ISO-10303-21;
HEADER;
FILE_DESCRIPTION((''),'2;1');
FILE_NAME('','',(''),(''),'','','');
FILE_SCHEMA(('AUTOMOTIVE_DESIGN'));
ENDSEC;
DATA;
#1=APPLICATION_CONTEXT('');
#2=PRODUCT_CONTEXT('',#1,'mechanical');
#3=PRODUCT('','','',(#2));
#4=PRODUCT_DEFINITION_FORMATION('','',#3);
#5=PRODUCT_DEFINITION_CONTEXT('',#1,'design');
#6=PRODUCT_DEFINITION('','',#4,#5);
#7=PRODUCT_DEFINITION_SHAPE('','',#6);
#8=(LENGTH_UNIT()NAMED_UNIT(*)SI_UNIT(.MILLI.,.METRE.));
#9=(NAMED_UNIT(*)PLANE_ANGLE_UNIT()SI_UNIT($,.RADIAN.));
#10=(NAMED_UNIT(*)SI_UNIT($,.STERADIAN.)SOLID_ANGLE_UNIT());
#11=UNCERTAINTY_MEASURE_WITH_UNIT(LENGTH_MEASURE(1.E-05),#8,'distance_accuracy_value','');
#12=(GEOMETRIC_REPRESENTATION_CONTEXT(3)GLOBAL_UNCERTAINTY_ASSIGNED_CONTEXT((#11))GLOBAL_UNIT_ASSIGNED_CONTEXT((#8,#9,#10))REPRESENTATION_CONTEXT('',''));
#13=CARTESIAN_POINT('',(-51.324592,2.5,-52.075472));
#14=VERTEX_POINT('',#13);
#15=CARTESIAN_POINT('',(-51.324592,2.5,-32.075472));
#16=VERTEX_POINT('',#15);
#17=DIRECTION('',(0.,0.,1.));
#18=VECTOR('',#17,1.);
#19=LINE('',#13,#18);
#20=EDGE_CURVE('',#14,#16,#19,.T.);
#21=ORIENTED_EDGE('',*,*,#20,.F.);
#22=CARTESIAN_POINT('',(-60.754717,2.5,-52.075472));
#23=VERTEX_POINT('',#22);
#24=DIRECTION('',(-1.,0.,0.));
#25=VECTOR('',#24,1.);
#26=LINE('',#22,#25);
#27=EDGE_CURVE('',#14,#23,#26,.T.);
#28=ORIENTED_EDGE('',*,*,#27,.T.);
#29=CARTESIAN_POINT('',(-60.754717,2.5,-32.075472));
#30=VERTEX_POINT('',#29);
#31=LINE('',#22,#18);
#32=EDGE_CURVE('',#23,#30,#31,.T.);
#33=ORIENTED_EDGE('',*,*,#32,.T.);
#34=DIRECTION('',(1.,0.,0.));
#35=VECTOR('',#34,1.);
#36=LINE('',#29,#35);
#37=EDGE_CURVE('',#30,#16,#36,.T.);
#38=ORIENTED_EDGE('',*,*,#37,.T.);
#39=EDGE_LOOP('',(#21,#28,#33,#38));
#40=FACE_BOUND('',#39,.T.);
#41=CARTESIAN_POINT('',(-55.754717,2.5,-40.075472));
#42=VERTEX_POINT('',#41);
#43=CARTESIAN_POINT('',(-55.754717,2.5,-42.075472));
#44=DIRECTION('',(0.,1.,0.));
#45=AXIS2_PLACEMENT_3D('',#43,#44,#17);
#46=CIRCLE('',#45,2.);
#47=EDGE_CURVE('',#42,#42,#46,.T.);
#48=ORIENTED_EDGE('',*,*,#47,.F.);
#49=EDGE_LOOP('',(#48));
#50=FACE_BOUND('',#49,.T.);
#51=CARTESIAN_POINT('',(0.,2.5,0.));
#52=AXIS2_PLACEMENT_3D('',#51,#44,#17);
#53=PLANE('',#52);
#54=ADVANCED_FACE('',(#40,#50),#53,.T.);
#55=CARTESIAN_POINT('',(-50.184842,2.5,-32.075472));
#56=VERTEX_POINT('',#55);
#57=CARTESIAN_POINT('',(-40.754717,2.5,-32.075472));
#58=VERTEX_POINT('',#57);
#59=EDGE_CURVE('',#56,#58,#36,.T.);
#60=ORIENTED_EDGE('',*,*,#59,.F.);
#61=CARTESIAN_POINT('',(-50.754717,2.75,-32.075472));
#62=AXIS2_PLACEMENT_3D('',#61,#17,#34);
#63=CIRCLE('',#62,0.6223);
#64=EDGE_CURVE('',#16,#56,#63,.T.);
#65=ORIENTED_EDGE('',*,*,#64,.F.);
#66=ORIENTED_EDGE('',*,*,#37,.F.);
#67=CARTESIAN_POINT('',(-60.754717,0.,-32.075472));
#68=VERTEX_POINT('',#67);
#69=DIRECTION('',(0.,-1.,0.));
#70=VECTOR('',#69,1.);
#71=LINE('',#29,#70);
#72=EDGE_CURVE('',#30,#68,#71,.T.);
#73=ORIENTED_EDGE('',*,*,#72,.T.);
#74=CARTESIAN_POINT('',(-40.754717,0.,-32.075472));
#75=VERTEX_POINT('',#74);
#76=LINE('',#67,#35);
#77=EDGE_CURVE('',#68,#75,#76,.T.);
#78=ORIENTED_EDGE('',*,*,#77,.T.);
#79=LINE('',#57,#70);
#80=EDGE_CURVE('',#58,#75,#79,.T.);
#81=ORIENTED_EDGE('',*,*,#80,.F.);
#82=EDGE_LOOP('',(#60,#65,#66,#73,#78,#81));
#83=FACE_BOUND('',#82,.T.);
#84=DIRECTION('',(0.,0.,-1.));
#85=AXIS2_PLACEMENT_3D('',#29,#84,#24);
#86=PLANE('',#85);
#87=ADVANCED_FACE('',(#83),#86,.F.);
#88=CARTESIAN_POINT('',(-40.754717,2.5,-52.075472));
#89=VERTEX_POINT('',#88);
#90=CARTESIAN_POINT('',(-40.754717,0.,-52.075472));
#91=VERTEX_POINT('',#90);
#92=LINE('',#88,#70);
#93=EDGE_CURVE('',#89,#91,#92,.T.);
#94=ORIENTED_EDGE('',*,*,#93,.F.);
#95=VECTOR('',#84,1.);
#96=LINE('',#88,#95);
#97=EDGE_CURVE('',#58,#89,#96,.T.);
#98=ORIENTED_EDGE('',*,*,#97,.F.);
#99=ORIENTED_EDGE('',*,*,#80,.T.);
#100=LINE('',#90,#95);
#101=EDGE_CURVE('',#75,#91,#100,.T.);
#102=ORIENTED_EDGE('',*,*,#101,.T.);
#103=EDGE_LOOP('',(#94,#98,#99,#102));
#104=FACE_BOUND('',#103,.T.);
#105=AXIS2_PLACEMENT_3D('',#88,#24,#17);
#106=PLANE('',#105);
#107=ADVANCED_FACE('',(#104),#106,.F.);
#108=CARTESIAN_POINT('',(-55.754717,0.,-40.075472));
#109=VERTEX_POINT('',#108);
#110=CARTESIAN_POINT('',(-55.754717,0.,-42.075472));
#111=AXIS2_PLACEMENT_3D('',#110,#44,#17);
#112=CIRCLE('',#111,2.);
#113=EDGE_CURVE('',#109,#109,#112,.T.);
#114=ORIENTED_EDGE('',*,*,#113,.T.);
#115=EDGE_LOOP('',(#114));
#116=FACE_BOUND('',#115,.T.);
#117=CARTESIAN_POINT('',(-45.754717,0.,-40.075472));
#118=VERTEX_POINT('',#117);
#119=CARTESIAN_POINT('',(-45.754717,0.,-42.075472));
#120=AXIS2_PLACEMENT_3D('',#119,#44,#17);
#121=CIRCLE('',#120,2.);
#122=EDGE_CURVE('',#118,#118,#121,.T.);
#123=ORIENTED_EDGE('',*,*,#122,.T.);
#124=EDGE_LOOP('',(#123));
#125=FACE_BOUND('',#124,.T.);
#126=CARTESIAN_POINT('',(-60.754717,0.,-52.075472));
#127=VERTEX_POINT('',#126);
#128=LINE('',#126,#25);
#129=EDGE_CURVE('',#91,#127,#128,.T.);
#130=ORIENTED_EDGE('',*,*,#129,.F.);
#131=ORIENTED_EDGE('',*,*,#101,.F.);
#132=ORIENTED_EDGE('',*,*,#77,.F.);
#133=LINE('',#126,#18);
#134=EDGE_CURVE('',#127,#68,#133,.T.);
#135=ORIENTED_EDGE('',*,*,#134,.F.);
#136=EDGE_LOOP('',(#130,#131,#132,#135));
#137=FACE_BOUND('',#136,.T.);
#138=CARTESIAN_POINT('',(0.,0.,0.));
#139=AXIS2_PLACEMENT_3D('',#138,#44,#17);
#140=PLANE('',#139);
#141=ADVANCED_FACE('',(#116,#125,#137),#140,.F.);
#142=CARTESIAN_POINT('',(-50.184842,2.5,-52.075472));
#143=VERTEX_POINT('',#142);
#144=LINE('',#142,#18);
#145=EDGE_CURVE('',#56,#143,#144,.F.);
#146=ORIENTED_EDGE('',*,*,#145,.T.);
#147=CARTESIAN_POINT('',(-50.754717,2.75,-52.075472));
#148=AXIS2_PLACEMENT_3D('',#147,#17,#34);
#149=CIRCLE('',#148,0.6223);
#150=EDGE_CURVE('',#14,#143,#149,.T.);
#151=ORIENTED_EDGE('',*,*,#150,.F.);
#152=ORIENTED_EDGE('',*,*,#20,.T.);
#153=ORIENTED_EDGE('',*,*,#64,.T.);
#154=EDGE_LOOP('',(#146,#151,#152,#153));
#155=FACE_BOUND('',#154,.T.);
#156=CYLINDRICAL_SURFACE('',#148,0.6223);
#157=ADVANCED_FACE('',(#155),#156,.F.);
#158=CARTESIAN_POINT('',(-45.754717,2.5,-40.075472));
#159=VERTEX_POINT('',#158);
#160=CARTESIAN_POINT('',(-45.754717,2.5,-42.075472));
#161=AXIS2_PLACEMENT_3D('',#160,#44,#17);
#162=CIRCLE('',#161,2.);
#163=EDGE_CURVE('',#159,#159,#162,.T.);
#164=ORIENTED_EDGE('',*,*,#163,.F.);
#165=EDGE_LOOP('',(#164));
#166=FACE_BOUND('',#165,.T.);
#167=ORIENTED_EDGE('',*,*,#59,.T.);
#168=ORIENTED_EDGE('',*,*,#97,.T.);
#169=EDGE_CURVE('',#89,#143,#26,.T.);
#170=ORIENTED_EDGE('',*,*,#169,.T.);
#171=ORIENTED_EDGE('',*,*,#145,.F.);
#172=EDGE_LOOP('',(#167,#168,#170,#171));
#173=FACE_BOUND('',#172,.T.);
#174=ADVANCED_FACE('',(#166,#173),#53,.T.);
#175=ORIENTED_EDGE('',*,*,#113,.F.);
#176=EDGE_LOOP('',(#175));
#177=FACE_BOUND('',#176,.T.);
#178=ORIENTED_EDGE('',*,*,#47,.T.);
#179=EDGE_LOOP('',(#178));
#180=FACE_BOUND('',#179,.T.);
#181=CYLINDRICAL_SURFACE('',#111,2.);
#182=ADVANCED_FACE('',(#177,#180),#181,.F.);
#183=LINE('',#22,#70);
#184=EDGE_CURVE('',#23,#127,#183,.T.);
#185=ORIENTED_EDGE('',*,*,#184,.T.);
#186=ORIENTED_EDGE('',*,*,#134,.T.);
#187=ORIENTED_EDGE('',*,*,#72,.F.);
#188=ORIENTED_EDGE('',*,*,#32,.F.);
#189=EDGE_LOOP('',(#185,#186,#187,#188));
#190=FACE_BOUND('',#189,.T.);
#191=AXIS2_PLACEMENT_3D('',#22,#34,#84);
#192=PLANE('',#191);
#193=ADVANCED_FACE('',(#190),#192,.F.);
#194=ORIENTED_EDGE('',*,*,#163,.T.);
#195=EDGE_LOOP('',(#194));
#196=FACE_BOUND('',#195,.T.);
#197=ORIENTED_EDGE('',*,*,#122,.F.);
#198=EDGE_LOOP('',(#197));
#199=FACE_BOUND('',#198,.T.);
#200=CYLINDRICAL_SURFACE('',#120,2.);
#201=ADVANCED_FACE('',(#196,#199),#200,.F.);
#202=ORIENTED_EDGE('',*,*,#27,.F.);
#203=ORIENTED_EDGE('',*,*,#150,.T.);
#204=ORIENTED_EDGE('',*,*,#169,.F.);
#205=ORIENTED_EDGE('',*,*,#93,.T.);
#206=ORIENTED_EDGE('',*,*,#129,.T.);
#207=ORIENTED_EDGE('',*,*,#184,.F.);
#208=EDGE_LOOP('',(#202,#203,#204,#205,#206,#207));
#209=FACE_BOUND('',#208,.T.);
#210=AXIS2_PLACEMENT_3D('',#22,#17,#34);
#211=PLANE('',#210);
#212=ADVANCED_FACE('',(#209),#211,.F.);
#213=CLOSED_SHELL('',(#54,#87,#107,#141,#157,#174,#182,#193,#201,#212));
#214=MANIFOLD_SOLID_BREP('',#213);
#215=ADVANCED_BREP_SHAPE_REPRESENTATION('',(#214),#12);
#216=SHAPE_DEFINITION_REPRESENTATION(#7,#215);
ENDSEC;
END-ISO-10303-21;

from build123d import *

# Parameters (mm, degrees)
SKETCH1_W           = 20
SKETCH1_H           = 20
BOSS_EXTRUDE1_DEPTH = 2.5
SKETCH2_R           = 0.6223
CUT_EXTRUDE1_DEPTH  = 21
SKETCH3_R           = 2
CUT_EXTRUDE2_DEPTH  = 3.5


with BuildPart() as part:
    # Sketch1 → Boss-Extrude1 (new body)
    with BuildSketch(Plane(origin=(0, 0, 0), x_dir=(1, 0, 0), z_dir=(0, 1, 0))):
        with Locations((-50.754716981, 42.075471698)):
            Rectangle(SKETCH1_W, SKETCH1_H)
    extrude(amount=BOSS_EXTRUDE1_DEPTH)

    # Sketch2 → Cut-Extrude1 (cut, through all)
    with BuildSketch(Plane.XY.offset(-32.075471698)):
        with Locations((-50.754716981, 2.75)):
            Circle(SKETCH2_R)
    extrude(amount=-CUT_EXTRUDE1_DEPTH, mode=Mode.SUBTRACT)

    # Sketch3 → Cut-Extrude2 (cut, through all)
    with BuildSketch(Plane(origin=(0, 2.5, 0), x_dir=(1, 0, 0), z_dir=(0, 1, 0))):
        with Locations((-55.754716981, 42.075471698)):
            Circle(SKETCH3_R)
        with Locations((-45.754716981, 42.075471698)):
            Circle(SKETCH3_R)
    extrude(amount=-CUT_EXTRUDE2_DEPTH, mode=Mode.SUBTRACT)


solid = part.part
